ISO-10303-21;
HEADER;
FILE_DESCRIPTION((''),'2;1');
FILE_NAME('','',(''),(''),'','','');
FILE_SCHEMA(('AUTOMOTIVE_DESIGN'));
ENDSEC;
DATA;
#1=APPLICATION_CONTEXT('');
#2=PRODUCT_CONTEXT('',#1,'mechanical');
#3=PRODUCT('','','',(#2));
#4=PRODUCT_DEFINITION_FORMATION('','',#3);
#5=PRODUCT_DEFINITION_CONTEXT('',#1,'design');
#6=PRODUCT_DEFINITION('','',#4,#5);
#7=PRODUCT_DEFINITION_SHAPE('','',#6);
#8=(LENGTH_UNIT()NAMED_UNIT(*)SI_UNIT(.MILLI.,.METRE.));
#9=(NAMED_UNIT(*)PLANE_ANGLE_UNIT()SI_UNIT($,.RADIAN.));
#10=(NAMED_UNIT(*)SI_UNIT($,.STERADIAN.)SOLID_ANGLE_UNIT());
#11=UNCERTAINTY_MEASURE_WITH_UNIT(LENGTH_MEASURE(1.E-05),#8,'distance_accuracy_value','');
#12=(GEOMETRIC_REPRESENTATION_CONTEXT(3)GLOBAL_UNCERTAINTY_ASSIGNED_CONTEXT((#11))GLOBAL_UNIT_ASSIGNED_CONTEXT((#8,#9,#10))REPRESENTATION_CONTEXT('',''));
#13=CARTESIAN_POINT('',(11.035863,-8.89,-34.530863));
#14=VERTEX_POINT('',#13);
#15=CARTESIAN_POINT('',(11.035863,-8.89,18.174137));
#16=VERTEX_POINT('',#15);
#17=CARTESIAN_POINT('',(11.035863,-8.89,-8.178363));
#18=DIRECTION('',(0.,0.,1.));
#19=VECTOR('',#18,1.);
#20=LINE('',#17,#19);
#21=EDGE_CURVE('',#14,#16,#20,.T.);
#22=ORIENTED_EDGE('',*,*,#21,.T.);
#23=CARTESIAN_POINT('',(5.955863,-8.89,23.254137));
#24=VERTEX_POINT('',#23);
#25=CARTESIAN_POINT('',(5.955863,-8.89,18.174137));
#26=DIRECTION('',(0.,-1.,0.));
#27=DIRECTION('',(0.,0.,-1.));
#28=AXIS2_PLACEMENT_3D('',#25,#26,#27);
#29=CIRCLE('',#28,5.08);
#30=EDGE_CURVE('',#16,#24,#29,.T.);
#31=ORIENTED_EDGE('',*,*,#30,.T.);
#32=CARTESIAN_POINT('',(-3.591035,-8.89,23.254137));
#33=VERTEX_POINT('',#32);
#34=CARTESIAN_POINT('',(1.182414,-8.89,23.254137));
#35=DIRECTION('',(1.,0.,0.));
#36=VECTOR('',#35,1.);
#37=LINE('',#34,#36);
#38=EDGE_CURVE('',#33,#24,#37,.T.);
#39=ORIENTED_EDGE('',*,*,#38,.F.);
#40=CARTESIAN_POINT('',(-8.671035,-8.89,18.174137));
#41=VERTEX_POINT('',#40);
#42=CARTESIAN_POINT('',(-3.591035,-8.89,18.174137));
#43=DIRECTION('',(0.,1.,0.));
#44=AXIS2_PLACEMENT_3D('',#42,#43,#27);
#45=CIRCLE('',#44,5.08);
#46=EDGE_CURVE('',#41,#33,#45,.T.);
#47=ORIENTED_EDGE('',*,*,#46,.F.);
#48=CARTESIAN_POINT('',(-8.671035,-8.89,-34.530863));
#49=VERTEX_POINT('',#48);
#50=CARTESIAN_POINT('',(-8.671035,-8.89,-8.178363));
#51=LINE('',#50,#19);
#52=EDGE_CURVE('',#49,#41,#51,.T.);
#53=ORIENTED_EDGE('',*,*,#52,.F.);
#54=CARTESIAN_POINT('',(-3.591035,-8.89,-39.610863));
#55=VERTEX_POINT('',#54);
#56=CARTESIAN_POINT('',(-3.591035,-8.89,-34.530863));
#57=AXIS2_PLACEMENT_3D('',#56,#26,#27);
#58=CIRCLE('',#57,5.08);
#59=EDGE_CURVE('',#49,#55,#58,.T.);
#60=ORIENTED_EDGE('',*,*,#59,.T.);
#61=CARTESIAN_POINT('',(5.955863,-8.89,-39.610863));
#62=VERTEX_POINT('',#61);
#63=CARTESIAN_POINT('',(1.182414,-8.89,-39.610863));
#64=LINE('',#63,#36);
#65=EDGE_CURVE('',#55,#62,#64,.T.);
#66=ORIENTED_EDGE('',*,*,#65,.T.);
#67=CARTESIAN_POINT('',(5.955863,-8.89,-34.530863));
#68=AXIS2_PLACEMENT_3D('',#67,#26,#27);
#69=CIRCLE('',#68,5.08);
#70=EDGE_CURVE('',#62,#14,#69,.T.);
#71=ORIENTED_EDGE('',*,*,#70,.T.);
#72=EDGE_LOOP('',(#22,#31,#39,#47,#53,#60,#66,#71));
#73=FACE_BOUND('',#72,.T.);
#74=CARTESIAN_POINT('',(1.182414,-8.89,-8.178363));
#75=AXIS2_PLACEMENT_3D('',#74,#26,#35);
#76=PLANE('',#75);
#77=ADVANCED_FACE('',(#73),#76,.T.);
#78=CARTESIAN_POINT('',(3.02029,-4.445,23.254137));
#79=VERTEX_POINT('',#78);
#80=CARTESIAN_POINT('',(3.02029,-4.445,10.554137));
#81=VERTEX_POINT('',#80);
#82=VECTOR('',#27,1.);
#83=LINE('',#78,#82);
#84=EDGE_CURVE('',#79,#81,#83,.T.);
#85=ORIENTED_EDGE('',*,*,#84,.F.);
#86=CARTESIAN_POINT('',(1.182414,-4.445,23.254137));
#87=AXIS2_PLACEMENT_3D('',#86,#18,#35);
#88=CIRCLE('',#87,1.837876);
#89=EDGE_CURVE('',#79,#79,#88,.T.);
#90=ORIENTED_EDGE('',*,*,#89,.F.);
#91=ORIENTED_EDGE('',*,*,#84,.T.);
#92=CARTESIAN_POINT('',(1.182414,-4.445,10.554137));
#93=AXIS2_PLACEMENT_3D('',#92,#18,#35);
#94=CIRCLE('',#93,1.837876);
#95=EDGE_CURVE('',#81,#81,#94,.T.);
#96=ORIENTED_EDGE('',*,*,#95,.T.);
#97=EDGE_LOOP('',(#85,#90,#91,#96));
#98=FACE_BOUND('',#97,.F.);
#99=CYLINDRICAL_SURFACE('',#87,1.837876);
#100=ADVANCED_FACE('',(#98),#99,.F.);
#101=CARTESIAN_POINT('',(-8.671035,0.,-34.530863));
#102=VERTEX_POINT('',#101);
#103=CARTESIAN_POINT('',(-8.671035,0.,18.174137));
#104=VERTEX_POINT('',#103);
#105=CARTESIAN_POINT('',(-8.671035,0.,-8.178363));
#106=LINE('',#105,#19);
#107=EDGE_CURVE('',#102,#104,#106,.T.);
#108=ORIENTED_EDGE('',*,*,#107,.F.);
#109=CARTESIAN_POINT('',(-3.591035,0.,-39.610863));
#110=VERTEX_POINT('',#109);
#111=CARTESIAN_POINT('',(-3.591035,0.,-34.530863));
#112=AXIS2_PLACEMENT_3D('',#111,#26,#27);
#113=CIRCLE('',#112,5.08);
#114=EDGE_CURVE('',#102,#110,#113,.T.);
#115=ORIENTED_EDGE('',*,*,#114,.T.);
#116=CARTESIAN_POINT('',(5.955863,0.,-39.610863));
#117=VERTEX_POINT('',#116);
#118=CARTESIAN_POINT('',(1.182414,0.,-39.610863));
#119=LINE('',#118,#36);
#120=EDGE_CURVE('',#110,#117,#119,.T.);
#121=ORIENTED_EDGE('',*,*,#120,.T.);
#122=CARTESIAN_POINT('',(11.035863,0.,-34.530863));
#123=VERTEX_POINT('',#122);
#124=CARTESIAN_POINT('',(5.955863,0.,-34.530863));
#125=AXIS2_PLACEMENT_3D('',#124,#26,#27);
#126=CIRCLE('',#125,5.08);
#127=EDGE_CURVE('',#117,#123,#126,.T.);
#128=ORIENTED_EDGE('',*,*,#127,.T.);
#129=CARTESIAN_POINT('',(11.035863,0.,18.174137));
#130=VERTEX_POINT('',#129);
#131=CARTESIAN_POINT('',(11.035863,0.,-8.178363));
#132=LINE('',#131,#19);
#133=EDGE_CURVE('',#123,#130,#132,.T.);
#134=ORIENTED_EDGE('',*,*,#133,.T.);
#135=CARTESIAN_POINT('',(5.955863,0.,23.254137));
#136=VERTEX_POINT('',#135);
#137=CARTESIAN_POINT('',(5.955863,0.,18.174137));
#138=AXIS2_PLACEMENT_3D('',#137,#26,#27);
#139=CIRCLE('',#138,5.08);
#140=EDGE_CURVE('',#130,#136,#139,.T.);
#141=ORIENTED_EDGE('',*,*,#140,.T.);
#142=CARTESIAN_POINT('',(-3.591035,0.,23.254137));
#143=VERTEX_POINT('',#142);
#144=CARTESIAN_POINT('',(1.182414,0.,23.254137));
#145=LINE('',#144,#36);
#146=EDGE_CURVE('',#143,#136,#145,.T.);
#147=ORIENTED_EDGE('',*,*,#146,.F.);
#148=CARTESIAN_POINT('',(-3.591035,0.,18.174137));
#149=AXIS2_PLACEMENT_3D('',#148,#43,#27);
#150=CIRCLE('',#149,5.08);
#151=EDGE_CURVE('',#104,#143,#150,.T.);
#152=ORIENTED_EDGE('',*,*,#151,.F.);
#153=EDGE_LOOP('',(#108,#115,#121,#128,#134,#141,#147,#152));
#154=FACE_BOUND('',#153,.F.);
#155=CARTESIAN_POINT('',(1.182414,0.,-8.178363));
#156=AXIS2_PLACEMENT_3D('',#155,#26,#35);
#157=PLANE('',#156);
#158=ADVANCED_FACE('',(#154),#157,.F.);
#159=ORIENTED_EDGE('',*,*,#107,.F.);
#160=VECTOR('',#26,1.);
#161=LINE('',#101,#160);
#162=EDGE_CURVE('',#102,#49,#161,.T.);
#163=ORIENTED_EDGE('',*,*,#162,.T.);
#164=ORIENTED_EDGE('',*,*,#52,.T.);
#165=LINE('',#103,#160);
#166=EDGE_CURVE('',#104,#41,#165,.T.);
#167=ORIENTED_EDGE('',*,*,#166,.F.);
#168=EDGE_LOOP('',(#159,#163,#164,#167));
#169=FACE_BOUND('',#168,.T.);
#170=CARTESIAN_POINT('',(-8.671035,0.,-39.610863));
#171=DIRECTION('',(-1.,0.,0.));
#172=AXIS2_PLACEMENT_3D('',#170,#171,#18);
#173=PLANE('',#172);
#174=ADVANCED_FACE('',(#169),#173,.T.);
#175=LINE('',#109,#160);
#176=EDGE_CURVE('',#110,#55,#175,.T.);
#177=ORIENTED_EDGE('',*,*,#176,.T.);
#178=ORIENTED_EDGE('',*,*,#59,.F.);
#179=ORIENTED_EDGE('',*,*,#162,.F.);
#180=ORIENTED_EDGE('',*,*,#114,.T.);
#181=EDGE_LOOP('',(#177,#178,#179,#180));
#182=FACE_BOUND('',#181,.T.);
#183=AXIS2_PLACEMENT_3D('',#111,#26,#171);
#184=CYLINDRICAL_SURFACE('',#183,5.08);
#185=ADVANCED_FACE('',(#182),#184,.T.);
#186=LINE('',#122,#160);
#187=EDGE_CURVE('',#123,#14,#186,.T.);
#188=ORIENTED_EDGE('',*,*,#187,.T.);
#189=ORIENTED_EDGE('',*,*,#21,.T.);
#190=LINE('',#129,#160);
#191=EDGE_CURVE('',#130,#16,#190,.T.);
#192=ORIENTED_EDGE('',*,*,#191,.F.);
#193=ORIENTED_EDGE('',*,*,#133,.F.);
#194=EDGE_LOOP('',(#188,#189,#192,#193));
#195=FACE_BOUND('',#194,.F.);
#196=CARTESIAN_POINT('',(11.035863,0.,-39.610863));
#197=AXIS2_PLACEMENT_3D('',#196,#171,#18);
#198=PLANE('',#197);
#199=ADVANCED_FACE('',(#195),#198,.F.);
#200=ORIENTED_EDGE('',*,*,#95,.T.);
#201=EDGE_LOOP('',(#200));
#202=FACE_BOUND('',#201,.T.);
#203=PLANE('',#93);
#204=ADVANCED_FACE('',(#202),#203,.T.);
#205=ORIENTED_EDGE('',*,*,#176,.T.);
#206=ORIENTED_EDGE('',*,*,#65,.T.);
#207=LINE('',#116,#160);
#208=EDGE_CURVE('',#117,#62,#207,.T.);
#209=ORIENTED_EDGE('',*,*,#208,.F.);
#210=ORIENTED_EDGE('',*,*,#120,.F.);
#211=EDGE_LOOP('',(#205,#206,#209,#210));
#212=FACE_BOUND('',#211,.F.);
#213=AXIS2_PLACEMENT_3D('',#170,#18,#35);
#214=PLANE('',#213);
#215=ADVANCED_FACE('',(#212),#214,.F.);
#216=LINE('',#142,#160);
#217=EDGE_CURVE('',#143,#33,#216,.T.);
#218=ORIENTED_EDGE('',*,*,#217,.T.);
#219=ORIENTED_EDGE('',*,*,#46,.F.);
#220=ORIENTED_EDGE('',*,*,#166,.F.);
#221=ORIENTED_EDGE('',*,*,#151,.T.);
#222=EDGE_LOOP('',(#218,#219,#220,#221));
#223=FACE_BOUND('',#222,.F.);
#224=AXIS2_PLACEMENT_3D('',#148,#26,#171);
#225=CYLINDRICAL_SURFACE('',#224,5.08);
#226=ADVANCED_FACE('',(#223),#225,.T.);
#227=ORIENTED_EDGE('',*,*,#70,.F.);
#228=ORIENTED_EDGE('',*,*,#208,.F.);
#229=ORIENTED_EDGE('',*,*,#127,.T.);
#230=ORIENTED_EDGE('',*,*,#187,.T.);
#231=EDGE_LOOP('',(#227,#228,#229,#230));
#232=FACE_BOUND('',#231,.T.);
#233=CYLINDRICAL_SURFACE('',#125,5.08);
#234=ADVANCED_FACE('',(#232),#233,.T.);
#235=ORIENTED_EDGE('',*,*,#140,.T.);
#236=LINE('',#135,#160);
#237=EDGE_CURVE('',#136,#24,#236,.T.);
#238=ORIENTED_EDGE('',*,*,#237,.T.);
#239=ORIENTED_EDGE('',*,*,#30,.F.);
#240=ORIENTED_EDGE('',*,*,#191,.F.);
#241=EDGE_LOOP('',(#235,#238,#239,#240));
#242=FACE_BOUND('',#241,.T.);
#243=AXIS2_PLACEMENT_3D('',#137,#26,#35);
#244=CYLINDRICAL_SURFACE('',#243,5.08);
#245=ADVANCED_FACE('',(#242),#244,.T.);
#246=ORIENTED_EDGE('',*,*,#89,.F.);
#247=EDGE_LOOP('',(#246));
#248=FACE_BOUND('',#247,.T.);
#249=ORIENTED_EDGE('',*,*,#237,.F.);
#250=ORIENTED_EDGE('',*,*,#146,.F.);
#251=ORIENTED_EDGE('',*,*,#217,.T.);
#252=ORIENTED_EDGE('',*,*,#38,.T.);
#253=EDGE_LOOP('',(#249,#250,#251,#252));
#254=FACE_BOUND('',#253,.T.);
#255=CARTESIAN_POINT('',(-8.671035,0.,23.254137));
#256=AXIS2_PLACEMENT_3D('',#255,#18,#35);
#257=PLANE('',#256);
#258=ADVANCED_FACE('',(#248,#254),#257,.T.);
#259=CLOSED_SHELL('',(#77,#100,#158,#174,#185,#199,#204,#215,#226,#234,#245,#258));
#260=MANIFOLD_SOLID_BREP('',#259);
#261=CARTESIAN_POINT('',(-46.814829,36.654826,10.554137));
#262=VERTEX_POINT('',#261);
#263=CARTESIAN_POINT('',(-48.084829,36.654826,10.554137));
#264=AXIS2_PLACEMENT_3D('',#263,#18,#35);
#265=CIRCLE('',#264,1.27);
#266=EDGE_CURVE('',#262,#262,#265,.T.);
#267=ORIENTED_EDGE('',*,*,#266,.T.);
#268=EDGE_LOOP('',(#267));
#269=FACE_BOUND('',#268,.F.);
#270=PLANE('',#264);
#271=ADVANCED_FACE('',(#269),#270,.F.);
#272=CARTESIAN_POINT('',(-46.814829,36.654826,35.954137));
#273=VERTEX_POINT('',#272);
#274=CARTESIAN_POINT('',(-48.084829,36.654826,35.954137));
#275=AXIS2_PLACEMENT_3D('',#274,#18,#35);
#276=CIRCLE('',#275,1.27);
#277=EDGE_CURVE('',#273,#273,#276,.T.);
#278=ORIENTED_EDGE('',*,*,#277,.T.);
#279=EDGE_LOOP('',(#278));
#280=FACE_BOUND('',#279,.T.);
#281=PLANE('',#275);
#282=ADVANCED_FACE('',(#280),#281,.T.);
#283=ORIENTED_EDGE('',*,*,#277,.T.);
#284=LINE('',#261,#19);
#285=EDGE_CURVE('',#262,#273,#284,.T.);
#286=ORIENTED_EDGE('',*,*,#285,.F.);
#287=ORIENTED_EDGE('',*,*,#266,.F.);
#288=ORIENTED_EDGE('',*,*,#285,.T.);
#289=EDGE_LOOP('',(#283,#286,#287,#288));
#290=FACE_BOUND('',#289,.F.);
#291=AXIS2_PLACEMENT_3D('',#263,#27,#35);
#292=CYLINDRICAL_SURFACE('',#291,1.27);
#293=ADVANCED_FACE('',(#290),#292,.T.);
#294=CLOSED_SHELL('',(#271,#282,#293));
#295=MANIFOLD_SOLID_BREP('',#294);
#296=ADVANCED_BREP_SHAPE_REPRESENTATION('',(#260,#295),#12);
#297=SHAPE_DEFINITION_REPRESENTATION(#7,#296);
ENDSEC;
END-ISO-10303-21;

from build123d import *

# Parameters (mm, degrees)
F0_W     = 19.706898
F0_H     = 62.865
F1_DEPTH = 8.89
F2_R     = 5.08
F3_R     = 1.837876
F4_DEPTH = 12.7
F5_R     = 1.27
F6_DEPTH = 25.4


with BuildPart() as f1:
    # F0 (on Front) → F1 (new body)
    with BuildSketch(Plane.XZ):
        with Locations((1.182414, -8.178363)):
            Rectangle(F0_W, F0_H)
    extrude(amount=F1_DEPTH)

    # F2
    f2_edges = [f1.edges().sort_by_distance(p)[0] for p in [
        (-8.671035, -4.445, -39.610863),
        (11.035863, -4.445, -39.610863),
        (11.035863, -4.445, 23.254137),
        (-8.671035, -4.445, 23.254137),
    ]]
    fillet(f2_edges, radius=F2_R)

    # F3 (on face) → F4 (cut)
    with BuildSketch(Plane.XY.offset(23.254137)):
        with Locations((1.182414, -4.445)):
            Circle(F3_R)
    extrude(amount=-F4_DEPTH, mode=Mode.SUBTRACT)


with BuildPart() as f6:
    # F5 (on face) → F6 (new body)
    with BuildSketch(Plane.XY.offset(10.554137)):
        with Locations((-48.084829, 36.654826)):
            Circle(F5_R)
    extrude(amount=F6_DEPTH)


solid = Compound([f1.part, f6.part])
